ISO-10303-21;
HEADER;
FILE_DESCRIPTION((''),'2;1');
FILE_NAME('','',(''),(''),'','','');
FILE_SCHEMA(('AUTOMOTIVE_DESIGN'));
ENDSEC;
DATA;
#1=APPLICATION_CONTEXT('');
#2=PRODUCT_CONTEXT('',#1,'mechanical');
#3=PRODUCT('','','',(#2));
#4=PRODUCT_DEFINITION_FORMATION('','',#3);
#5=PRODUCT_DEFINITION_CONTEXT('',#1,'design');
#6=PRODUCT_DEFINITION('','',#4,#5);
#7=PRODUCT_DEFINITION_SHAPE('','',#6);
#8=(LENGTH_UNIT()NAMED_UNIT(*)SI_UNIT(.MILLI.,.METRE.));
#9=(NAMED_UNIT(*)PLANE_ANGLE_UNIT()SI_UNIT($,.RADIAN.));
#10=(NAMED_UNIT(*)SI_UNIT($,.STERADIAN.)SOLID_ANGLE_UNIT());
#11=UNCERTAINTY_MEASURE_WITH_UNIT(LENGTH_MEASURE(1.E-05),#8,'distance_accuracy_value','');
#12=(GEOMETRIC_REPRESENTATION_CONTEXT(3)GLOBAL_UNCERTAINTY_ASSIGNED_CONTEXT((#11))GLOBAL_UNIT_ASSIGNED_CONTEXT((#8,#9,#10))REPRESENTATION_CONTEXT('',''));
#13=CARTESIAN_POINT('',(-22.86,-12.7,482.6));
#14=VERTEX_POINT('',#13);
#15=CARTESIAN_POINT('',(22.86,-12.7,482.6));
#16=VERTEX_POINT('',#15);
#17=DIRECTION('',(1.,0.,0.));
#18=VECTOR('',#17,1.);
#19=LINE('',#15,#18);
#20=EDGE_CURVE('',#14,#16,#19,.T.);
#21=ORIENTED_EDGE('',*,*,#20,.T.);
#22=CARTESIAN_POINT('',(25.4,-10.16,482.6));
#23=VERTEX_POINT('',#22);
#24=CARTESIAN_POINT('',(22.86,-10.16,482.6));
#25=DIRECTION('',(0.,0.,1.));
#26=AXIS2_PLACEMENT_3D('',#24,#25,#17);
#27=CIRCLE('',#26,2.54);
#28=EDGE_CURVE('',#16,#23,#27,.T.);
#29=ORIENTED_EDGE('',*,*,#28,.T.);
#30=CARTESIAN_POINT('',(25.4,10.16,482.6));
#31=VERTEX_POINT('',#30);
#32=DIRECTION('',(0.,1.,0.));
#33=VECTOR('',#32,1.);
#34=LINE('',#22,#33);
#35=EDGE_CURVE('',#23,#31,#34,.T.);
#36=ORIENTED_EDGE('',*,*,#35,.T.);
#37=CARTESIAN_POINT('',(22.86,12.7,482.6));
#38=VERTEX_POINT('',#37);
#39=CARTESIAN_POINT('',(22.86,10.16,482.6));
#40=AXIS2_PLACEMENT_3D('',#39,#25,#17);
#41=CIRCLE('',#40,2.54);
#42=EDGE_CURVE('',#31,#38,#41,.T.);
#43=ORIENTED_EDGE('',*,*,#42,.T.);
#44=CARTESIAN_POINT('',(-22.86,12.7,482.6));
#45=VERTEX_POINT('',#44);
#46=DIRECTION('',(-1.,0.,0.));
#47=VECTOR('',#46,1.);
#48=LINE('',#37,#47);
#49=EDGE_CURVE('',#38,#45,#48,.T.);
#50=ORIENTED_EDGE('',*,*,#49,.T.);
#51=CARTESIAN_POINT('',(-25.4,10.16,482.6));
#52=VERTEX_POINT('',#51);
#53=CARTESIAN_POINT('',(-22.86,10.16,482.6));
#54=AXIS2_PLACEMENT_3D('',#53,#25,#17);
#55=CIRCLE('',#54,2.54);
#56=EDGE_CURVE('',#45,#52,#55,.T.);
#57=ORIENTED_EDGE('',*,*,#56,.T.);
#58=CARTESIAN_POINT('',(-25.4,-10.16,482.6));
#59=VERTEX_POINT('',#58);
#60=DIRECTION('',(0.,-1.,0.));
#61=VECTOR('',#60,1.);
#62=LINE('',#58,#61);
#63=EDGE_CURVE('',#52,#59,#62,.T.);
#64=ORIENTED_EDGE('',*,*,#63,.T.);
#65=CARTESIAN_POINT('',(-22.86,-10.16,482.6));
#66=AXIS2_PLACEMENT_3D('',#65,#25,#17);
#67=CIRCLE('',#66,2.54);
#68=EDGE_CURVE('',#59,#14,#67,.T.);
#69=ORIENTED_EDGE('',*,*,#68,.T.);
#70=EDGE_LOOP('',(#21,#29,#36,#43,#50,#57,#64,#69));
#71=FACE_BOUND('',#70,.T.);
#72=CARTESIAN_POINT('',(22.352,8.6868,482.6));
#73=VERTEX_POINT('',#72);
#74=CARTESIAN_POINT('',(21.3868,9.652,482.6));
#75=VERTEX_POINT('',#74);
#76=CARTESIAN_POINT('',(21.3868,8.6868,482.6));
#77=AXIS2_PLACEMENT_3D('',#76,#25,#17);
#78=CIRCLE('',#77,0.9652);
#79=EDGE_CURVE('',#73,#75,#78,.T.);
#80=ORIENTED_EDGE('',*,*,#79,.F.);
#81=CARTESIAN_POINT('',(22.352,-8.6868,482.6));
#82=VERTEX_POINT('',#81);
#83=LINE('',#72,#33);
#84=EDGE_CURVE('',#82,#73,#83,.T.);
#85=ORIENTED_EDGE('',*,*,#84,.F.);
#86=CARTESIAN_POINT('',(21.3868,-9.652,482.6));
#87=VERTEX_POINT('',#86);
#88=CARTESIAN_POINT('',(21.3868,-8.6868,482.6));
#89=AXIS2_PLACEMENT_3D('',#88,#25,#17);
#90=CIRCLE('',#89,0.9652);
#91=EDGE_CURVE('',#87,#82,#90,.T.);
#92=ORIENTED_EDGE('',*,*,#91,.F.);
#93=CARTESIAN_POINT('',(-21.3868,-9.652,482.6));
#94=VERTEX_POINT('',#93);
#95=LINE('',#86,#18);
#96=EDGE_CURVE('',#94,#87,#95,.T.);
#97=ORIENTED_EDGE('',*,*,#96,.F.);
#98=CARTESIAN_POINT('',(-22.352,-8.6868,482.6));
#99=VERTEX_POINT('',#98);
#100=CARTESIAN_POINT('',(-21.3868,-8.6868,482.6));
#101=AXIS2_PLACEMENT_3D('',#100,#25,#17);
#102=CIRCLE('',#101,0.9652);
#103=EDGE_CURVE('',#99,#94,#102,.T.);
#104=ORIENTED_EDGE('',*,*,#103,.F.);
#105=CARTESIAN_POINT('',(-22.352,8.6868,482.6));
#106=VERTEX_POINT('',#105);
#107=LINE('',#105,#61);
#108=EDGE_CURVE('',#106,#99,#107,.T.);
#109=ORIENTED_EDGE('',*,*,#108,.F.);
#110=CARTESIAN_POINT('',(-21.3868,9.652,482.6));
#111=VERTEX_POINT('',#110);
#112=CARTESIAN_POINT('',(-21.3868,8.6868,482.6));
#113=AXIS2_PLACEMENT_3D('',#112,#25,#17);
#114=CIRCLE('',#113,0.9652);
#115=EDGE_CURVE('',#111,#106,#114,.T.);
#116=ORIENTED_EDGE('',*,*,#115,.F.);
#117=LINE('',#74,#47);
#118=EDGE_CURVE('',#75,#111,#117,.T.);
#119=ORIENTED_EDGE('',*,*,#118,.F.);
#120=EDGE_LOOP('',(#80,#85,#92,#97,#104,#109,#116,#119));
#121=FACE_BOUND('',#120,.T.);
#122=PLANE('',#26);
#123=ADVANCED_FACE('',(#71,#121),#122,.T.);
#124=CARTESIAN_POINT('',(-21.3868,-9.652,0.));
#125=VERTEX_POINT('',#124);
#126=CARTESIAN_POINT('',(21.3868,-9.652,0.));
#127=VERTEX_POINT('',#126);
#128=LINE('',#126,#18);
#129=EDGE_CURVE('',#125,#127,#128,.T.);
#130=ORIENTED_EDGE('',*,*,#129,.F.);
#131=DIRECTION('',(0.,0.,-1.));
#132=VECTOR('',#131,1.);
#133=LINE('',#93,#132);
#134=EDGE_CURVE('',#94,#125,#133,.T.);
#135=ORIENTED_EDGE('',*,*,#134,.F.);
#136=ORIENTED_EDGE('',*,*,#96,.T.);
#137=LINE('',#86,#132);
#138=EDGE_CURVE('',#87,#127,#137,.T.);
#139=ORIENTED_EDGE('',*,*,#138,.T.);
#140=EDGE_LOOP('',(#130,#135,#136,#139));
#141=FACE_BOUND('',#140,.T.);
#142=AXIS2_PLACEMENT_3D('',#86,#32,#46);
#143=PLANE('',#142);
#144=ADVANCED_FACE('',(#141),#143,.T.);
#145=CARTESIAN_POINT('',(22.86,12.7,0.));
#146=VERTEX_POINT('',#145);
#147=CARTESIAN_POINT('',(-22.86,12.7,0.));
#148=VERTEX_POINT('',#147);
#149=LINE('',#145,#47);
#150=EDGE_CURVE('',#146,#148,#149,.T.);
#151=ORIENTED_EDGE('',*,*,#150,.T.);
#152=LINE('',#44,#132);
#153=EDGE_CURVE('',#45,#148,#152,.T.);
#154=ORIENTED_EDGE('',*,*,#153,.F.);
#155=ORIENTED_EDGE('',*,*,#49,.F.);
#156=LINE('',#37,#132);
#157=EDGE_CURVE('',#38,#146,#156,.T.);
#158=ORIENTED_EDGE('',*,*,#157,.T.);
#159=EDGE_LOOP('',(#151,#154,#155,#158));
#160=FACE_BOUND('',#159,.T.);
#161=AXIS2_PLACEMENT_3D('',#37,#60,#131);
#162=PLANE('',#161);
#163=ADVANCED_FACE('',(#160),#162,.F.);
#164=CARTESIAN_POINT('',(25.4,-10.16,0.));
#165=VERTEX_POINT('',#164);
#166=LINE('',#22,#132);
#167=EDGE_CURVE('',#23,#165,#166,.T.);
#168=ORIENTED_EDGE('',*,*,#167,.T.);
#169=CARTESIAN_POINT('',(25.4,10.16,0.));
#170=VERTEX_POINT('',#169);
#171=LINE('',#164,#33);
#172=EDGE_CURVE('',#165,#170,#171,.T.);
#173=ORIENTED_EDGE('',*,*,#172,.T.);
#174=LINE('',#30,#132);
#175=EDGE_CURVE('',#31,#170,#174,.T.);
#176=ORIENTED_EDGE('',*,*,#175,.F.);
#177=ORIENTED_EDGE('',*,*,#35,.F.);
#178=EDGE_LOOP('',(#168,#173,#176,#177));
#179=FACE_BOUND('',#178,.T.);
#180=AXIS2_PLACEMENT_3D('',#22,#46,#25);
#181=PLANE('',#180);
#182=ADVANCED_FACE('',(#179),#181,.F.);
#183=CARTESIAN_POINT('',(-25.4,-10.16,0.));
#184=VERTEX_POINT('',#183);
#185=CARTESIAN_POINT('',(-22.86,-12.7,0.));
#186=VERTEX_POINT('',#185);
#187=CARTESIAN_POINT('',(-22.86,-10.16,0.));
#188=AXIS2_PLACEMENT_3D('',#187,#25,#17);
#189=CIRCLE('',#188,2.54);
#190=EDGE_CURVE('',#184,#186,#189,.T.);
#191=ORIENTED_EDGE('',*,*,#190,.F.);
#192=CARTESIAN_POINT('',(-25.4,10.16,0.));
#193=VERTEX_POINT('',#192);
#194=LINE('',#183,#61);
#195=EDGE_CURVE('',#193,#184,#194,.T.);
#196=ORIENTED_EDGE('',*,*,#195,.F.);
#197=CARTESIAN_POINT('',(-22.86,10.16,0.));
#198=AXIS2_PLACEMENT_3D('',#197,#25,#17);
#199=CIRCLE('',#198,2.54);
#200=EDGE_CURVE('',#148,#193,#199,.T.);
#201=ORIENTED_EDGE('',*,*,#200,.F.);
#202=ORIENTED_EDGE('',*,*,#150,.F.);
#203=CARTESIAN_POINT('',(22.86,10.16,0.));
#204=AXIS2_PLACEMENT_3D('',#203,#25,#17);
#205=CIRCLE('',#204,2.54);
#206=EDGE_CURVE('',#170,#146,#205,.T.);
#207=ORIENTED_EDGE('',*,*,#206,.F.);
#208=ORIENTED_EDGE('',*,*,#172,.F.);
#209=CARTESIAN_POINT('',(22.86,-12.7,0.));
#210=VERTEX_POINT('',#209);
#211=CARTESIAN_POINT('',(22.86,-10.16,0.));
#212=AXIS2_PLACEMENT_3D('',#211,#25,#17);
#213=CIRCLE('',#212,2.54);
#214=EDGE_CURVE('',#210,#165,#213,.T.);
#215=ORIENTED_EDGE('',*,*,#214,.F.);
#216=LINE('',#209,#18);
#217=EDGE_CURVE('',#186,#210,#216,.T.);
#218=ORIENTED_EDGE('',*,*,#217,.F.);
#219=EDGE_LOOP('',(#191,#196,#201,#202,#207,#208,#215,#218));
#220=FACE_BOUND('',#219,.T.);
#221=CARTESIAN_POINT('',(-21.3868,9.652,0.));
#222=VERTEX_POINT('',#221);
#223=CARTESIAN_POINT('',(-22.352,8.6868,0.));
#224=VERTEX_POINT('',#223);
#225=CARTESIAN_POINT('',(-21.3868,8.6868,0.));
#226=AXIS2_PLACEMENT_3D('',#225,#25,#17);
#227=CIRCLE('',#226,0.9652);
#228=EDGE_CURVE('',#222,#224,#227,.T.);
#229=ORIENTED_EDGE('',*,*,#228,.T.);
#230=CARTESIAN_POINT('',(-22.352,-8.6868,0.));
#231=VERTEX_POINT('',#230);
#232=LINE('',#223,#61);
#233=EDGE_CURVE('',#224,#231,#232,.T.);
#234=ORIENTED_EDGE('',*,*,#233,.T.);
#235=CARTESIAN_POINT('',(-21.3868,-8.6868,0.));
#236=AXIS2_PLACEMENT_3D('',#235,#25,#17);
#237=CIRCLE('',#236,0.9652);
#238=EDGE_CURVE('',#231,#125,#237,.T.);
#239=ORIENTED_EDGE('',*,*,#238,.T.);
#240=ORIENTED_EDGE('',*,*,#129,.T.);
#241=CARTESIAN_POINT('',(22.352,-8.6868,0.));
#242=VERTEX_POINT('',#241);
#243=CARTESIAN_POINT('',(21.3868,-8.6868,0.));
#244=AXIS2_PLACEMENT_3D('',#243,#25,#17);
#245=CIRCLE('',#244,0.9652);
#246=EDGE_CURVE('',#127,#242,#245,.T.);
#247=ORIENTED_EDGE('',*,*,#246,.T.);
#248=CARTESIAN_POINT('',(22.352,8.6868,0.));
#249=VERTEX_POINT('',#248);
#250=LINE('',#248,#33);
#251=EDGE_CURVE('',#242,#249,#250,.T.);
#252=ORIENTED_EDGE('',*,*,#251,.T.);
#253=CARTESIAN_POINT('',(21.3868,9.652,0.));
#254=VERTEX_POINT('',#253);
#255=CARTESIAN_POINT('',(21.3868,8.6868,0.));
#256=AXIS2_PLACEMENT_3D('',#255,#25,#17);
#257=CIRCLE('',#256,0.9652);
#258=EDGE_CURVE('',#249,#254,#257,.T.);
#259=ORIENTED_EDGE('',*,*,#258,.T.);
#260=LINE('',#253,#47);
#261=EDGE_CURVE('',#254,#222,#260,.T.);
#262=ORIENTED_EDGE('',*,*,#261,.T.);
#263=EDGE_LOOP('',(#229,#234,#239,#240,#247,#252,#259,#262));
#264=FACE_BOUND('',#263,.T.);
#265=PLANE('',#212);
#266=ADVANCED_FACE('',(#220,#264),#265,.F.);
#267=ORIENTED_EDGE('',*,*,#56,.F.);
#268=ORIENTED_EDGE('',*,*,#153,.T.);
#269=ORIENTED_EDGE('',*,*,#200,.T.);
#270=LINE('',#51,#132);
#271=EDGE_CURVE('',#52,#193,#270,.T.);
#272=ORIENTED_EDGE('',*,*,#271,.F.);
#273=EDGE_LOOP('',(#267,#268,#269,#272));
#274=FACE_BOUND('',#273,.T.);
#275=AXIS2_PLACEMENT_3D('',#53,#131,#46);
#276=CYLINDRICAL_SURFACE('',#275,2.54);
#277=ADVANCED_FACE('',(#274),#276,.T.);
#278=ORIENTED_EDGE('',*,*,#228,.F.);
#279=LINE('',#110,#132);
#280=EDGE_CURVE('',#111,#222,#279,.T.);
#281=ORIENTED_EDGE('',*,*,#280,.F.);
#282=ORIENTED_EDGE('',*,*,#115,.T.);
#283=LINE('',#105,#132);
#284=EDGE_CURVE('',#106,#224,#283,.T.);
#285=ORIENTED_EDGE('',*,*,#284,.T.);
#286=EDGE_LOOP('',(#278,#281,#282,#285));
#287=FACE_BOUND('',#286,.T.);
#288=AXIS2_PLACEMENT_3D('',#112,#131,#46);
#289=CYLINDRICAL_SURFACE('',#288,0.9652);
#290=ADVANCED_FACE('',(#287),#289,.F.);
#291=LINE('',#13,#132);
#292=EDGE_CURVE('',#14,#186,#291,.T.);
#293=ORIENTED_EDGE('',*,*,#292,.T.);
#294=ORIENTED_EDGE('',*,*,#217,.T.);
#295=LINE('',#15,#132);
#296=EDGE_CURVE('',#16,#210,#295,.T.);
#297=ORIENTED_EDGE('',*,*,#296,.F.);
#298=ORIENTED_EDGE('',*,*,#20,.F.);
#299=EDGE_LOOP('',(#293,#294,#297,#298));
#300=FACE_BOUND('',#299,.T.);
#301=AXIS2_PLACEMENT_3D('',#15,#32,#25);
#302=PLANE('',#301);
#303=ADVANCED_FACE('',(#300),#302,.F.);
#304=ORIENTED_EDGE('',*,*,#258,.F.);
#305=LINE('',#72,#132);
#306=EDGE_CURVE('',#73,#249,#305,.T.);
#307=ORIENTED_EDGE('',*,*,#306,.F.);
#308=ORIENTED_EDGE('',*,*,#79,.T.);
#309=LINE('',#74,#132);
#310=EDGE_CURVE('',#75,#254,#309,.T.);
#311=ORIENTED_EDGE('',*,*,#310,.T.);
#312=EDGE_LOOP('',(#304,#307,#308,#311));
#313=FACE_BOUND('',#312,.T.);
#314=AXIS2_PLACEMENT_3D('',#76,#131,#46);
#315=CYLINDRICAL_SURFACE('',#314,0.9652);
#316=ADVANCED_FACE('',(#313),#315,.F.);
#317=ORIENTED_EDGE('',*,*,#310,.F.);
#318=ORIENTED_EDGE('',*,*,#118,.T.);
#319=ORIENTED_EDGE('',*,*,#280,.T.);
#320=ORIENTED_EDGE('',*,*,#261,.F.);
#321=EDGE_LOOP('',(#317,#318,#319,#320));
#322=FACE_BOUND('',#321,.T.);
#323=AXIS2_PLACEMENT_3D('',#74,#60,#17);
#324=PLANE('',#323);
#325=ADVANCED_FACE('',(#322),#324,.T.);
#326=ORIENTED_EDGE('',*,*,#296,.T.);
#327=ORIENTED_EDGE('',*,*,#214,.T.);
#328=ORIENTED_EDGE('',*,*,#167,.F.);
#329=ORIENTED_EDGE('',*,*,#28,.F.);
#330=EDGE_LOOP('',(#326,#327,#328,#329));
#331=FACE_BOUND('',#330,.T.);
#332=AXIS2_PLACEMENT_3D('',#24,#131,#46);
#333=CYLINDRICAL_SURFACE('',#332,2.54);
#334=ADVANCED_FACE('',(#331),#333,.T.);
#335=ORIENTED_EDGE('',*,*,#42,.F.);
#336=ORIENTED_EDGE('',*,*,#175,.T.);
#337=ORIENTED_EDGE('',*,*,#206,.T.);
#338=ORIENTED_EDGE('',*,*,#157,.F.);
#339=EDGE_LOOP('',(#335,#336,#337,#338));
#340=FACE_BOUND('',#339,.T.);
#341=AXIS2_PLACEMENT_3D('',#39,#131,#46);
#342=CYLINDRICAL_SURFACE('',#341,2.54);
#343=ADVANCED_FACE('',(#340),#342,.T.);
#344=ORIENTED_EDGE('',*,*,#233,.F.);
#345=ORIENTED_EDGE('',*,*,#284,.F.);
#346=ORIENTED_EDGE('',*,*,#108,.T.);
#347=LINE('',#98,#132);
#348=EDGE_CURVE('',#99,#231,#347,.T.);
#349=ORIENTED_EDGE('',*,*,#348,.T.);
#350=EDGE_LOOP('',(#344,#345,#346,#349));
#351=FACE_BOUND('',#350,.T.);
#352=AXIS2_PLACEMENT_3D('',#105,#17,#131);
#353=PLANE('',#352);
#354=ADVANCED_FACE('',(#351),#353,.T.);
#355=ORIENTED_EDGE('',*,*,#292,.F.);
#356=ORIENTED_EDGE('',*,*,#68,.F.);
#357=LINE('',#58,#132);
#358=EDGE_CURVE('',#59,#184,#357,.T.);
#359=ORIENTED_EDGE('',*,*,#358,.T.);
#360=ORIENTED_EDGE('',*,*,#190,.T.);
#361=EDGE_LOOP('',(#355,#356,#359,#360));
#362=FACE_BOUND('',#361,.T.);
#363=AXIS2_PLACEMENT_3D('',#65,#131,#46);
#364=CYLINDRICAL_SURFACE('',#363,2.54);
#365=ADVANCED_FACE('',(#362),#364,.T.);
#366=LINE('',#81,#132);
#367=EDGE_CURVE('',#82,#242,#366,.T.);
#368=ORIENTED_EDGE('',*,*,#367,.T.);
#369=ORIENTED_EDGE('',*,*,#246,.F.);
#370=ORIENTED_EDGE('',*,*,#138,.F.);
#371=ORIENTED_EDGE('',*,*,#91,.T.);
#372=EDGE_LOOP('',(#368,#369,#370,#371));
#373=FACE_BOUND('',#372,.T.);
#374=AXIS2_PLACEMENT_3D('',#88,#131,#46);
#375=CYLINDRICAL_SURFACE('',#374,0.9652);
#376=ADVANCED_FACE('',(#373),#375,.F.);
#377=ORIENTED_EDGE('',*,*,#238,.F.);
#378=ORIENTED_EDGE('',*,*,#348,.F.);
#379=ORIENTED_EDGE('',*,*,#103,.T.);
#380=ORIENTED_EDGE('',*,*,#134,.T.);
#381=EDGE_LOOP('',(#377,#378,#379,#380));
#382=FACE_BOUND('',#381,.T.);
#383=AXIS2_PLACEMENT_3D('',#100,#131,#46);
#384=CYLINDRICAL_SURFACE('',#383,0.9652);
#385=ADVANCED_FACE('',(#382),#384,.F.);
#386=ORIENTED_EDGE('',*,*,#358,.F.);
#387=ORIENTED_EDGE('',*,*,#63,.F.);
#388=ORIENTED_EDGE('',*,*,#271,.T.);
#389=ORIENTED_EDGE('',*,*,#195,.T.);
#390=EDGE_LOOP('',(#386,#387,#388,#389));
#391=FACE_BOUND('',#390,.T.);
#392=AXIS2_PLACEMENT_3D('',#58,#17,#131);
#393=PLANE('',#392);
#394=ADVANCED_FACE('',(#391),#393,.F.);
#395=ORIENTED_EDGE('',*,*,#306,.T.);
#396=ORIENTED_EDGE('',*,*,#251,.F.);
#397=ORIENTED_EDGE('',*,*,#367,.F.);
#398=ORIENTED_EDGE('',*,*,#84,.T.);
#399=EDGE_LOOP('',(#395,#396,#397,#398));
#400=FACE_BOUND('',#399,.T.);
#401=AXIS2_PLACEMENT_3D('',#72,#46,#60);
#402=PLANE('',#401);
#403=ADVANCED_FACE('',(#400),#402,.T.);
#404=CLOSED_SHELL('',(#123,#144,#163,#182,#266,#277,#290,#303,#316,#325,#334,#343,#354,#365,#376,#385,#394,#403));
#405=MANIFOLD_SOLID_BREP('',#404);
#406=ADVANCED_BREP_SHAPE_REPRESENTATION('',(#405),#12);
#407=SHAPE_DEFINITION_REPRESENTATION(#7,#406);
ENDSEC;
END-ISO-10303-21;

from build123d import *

# Parameters (mm, degrees)
BOSS_EXTRUDE1_DEPTH = 482.6


with BuildPart() as part:
    # Sketch4 → Boss-Extrude1 (new body)
    with BuildSketch(Plane.XY):
        with BuildLine():
            Line((25.4, -10.16), (25.4, 10.16))
            ThreePointArc((25.4, 10.16), (24.656051224, 11.956051224), (22.86, 12.7))
            Line((22.86, 12.7), (-22.86, 12.7))
            ThreePointArc((-22.86, 12.7), (-24.656051224, 11.956051224), (-25.4, 10.16))
            Line((-25.4, 10.16), (-25.4, -10.16))
            ThreePointArc((-25.4, -10.16), (-24.656051224, -11.956051224), (-22.86, -12.7))
            Line((-22.86, -12.7), (22.86, -12.7))
            ThreePointArc((22.86, -12.7), (24.656051224, -11.956051224), (25.4, -10.16))
        make_face()
        with BuildLine():
            Line((22.352, 8.6868), (22.352, -8.6868))
            ThreePointArc((22.352, -8.6868), (22.069299465, -9.369299465), (21.3868, -9.652))
            Line((21.3868, -9.652), (-21.3868, -9.652))
            ThreePointArc((-21.3868, -9.652), (-22.069299465, -9.369299465), (-22.352, -8.6868))
            Line((-22.352, -8.6868), (-22.352, 8.6868))
            ThreePointArc((-22.352, 8.6868), (-22.069299465, 9.369299465), (-21.3868, 9.652))
            Line((-21.3868, 9.652), (21.3868, 9.652))
            ThreePointArc((21.3868, 9.652), (22.069299465, 9.369299465), (22.352, 8.6868))
        make_face(mode=Mode.SUBTRACT)
    extrude(amount=BOSS_EXTRUDE1_DEPTH)


solid = part.part
